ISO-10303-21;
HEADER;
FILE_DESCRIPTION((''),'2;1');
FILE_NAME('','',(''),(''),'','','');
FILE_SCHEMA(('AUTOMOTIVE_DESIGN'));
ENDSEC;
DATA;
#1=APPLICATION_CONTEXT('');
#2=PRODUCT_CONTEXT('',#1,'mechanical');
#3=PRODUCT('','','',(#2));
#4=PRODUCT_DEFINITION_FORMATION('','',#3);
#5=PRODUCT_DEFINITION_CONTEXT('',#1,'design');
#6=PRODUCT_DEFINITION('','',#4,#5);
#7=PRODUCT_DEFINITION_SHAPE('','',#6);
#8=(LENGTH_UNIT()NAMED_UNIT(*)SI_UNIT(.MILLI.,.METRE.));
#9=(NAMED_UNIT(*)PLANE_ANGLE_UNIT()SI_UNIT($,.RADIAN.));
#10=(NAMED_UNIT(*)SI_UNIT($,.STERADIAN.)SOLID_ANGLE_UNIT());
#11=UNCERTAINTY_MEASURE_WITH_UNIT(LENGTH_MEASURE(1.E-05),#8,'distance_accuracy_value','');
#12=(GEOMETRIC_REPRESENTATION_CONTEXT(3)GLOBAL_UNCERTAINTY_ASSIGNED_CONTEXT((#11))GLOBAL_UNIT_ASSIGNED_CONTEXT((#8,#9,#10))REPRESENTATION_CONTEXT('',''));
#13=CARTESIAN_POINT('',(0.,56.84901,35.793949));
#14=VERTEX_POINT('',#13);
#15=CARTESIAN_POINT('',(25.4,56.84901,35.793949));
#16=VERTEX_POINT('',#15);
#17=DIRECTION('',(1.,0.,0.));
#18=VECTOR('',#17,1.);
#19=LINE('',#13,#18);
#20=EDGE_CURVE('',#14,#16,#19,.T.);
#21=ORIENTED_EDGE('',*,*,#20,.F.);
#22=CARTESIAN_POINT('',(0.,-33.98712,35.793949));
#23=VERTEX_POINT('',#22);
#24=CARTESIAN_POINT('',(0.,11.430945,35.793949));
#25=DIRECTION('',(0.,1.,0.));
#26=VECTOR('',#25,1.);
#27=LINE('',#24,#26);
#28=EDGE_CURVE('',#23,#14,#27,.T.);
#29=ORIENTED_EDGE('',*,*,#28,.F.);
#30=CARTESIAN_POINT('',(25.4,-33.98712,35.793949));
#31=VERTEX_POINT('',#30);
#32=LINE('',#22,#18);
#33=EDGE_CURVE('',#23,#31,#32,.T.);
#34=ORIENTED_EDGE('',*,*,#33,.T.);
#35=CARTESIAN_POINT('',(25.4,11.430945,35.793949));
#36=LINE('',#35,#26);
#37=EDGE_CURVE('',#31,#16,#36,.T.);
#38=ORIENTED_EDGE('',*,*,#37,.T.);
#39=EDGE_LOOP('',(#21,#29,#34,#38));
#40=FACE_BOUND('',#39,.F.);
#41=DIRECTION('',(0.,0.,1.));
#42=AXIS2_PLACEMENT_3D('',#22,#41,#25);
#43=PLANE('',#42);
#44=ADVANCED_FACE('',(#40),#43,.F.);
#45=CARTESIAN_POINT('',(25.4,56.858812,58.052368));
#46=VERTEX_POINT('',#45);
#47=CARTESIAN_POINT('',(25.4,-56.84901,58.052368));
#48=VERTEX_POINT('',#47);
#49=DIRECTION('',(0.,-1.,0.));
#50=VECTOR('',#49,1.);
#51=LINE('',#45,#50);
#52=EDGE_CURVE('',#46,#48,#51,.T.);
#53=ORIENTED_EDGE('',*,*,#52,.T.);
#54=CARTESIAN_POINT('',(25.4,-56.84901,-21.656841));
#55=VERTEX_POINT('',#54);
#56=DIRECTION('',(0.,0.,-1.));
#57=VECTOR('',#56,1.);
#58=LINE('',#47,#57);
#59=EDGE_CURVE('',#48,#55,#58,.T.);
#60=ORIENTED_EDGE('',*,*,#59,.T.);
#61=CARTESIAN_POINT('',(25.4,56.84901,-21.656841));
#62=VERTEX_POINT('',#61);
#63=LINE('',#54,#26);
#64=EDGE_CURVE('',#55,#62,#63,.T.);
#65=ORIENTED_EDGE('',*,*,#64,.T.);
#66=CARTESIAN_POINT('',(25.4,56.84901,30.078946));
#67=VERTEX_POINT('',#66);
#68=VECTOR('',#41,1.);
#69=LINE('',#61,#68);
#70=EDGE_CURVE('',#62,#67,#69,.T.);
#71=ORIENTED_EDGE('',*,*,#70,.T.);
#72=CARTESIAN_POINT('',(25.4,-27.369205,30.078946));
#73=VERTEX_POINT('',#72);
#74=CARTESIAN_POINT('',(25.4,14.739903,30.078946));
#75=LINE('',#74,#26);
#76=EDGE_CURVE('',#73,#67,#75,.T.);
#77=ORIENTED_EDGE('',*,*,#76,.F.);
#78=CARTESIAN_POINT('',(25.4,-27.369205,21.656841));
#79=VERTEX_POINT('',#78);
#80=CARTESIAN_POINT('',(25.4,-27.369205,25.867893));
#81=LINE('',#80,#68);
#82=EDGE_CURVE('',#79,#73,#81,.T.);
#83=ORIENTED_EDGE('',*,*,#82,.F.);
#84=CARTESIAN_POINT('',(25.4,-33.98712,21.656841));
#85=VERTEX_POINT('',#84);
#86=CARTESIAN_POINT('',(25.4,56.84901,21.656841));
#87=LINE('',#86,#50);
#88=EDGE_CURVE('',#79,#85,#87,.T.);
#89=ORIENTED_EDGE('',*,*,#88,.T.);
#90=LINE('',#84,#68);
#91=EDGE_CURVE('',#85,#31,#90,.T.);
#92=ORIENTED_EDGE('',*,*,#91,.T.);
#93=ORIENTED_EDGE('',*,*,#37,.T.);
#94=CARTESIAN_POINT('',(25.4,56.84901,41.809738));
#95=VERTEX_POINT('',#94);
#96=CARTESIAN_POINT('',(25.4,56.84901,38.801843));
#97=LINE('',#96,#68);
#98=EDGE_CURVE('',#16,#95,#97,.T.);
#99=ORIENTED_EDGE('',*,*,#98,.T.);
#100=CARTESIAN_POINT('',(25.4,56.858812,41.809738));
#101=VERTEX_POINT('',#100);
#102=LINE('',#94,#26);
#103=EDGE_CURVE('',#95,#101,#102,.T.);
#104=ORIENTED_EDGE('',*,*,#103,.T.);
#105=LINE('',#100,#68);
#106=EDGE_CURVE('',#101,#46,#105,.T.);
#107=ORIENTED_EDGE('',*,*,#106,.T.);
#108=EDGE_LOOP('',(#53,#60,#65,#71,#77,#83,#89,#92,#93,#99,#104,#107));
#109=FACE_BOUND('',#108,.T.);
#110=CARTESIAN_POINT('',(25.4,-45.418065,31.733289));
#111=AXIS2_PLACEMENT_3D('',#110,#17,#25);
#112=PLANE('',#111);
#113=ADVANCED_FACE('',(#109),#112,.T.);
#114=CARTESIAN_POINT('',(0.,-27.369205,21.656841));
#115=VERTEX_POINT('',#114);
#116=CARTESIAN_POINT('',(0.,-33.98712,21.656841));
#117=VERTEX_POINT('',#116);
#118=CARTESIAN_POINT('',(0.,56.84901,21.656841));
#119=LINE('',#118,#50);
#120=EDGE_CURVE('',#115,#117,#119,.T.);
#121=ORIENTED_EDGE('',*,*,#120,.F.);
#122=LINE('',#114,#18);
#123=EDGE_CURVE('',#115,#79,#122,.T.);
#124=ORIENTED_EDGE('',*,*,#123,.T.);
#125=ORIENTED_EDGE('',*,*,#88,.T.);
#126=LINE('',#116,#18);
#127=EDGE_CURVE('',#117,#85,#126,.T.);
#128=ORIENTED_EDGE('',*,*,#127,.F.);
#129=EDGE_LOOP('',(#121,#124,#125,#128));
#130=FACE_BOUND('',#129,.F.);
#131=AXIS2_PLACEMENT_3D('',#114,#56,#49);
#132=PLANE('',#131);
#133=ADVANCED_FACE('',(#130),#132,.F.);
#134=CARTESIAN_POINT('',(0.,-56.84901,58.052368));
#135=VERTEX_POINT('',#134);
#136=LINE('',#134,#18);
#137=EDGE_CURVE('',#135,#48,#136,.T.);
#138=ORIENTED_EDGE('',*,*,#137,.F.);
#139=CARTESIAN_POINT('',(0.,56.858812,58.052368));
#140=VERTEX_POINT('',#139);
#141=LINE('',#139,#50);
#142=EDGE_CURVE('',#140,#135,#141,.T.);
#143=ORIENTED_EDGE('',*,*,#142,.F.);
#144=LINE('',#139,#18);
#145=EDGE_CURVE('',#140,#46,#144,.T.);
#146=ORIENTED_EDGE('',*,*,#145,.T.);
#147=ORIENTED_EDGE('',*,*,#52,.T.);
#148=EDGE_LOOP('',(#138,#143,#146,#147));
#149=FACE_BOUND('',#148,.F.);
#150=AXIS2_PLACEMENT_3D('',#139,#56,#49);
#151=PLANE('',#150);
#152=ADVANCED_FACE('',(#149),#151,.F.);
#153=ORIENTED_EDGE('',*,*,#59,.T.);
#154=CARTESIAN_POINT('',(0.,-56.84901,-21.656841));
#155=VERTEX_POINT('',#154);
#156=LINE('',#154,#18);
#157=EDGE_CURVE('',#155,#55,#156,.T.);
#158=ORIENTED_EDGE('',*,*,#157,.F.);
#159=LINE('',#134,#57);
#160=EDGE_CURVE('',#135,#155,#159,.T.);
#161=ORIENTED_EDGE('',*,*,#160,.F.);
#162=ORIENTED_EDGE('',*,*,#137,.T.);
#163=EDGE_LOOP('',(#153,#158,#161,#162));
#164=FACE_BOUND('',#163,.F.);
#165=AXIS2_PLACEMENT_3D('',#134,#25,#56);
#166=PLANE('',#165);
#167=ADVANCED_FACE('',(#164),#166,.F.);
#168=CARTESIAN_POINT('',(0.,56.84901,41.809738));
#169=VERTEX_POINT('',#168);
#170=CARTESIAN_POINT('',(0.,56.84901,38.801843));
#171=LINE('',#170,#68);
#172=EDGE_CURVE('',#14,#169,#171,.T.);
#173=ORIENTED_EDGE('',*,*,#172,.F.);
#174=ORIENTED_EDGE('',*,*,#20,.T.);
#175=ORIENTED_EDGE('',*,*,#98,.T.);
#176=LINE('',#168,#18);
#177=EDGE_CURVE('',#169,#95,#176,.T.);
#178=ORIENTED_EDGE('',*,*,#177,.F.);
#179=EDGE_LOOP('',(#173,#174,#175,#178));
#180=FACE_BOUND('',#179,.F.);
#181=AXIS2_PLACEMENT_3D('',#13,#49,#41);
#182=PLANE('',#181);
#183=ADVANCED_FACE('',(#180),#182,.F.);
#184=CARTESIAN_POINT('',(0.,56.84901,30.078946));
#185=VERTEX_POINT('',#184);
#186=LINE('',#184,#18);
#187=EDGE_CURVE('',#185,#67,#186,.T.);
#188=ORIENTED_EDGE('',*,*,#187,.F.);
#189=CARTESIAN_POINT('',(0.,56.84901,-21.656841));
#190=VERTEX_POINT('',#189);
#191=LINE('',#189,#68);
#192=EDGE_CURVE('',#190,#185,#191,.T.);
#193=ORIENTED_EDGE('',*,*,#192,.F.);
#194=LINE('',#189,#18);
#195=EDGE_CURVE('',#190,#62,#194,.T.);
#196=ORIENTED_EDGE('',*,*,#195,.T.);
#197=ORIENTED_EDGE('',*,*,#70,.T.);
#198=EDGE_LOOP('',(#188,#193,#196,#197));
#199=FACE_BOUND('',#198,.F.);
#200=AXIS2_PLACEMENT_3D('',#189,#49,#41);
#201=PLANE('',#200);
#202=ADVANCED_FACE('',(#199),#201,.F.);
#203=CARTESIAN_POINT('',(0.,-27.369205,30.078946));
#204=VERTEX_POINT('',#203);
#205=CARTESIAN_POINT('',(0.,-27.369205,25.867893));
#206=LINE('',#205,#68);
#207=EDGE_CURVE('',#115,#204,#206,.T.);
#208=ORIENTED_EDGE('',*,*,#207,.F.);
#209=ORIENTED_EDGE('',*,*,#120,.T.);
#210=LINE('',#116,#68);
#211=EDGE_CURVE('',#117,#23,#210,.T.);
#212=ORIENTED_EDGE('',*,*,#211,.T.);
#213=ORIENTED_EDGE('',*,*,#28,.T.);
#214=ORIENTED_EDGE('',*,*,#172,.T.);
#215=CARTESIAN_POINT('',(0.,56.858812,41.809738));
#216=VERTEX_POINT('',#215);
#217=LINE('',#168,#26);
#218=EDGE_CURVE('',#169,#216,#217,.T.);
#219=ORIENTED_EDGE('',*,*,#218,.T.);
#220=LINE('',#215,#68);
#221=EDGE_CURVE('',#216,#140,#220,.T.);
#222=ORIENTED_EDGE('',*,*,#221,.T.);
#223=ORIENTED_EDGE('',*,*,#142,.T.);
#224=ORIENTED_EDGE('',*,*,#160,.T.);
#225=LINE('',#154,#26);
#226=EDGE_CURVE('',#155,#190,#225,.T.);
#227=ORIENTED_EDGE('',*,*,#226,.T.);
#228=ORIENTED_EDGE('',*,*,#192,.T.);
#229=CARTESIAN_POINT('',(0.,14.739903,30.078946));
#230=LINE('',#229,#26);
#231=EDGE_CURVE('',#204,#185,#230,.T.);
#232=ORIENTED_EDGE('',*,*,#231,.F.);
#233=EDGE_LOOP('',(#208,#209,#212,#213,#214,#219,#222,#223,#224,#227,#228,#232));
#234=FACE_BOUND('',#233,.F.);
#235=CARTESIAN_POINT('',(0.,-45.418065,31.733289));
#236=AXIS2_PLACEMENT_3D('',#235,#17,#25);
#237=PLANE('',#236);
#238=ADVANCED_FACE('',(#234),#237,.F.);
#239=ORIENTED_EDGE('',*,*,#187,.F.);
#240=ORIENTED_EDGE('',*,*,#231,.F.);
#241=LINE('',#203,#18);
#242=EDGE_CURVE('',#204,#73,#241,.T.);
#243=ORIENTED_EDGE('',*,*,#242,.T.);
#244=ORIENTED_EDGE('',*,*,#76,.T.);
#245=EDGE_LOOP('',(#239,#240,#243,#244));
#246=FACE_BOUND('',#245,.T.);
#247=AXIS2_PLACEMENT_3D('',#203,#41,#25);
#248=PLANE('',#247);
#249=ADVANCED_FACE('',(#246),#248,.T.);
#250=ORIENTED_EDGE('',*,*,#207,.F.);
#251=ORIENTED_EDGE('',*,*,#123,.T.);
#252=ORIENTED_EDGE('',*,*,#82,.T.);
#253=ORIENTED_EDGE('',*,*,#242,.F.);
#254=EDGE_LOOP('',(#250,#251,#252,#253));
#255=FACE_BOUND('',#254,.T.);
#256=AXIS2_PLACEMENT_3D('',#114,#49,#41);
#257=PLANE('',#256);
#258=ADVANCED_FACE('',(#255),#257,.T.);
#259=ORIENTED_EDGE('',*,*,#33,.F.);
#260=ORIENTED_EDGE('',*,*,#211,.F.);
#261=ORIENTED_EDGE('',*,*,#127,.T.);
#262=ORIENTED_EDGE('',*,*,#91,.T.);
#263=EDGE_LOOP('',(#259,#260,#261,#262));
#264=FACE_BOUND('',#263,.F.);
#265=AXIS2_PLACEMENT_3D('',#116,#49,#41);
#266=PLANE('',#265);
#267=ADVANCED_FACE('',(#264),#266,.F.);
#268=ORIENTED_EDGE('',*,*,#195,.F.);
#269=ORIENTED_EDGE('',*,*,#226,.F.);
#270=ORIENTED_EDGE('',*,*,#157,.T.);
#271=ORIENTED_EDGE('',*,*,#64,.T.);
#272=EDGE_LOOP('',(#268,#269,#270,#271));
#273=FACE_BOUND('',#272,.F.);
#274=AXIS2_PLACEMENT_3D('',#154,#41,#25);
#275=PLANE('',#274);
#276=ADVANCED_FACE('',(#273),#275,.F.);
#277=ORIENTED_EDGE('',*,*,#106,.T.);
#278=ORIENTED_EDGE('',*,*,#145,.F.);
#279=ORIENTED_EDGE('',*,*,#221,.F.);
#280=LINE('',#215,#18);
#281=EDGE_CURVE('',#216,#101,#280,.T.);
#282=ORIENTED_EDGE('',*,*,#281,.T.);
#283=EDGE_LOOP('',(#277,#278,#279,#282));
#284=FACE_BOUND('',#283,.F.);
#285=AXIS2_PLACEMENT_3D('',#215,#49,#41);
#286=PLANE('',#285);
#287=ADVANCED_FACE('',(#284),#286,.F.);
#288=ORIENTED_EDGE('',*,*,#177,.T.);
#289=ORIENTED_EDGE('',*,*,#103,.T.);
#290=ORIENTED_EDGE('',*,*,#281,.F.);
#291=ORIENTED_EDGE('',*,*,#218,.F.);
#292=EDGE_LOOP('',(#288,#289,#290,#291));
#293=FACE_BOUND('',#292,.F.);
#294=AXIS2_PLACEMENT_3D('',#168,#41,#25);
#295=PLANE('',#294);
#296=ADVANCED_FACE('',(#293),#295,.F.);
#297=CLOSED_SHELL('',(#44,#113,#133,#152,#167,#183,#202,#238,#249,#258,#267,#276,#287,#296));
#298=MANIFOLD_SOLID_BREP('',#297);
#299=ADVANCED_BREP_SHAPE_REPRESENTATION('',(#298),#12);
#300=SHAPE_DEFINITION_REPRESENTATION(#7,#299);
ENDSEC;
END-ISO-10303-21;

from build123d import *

# Parameters (mm, degrees)
F0_W     = 22.8618904948
F0_H     = 16.2426307797
F0_W_2   = 84.2182151973
F0_H_2   = 8.4221046418
F0_W_3   = 90.8361300826
F0_H_3   = 6.0157887638
F1_DEPTH = 25.4


with BuildPart() as f1:
    # F0 (on Right) → F1 (new body)
    with BuildSketch(Plane.YZ):
        Polygon((-56.8490102887, 41.8097376823), (-56.8490102887, 21.6568410397), (-33.9871197939, 21.6568410397), (-33.9871197939, 35.7939489186), (-33.9871197939, 41.8097376823), align=None)
        Polygon((-33.9871197939, 21.6568410397), (-56.8490102887, 21.6568410397), (-56.8490102887, -21.6568410397), (56.8490102887, -21.6568410397), (56.8490102887, -11.5302624181), (56.8490102887, 21.6568410397), (-27.3692049086, 21.6568410397), align=None)
        with Locations((-45.4180650413, 49.9310530722)):
            Rectangle(F0_W, F0_H)
        with Locations((14.7399026901, 25.8678933606)):
            Rectangle(F0_W_2, F0_H_2)
        with Locations((11.4309452474, 38.8018433005)):
            Rectangle(F0_W_3, F0_H_3)
        Polygon((-33.9871197939, 58.0523684621), (-33.9871197939, 41.8097376823), (56.8490102887, 41.8097376823), (56.8588115275, 41.8097376823), (56.8588115275, 58.0523684621), align=None)
    extrude(amount=F1_DEPTH)


solid = f1.part
